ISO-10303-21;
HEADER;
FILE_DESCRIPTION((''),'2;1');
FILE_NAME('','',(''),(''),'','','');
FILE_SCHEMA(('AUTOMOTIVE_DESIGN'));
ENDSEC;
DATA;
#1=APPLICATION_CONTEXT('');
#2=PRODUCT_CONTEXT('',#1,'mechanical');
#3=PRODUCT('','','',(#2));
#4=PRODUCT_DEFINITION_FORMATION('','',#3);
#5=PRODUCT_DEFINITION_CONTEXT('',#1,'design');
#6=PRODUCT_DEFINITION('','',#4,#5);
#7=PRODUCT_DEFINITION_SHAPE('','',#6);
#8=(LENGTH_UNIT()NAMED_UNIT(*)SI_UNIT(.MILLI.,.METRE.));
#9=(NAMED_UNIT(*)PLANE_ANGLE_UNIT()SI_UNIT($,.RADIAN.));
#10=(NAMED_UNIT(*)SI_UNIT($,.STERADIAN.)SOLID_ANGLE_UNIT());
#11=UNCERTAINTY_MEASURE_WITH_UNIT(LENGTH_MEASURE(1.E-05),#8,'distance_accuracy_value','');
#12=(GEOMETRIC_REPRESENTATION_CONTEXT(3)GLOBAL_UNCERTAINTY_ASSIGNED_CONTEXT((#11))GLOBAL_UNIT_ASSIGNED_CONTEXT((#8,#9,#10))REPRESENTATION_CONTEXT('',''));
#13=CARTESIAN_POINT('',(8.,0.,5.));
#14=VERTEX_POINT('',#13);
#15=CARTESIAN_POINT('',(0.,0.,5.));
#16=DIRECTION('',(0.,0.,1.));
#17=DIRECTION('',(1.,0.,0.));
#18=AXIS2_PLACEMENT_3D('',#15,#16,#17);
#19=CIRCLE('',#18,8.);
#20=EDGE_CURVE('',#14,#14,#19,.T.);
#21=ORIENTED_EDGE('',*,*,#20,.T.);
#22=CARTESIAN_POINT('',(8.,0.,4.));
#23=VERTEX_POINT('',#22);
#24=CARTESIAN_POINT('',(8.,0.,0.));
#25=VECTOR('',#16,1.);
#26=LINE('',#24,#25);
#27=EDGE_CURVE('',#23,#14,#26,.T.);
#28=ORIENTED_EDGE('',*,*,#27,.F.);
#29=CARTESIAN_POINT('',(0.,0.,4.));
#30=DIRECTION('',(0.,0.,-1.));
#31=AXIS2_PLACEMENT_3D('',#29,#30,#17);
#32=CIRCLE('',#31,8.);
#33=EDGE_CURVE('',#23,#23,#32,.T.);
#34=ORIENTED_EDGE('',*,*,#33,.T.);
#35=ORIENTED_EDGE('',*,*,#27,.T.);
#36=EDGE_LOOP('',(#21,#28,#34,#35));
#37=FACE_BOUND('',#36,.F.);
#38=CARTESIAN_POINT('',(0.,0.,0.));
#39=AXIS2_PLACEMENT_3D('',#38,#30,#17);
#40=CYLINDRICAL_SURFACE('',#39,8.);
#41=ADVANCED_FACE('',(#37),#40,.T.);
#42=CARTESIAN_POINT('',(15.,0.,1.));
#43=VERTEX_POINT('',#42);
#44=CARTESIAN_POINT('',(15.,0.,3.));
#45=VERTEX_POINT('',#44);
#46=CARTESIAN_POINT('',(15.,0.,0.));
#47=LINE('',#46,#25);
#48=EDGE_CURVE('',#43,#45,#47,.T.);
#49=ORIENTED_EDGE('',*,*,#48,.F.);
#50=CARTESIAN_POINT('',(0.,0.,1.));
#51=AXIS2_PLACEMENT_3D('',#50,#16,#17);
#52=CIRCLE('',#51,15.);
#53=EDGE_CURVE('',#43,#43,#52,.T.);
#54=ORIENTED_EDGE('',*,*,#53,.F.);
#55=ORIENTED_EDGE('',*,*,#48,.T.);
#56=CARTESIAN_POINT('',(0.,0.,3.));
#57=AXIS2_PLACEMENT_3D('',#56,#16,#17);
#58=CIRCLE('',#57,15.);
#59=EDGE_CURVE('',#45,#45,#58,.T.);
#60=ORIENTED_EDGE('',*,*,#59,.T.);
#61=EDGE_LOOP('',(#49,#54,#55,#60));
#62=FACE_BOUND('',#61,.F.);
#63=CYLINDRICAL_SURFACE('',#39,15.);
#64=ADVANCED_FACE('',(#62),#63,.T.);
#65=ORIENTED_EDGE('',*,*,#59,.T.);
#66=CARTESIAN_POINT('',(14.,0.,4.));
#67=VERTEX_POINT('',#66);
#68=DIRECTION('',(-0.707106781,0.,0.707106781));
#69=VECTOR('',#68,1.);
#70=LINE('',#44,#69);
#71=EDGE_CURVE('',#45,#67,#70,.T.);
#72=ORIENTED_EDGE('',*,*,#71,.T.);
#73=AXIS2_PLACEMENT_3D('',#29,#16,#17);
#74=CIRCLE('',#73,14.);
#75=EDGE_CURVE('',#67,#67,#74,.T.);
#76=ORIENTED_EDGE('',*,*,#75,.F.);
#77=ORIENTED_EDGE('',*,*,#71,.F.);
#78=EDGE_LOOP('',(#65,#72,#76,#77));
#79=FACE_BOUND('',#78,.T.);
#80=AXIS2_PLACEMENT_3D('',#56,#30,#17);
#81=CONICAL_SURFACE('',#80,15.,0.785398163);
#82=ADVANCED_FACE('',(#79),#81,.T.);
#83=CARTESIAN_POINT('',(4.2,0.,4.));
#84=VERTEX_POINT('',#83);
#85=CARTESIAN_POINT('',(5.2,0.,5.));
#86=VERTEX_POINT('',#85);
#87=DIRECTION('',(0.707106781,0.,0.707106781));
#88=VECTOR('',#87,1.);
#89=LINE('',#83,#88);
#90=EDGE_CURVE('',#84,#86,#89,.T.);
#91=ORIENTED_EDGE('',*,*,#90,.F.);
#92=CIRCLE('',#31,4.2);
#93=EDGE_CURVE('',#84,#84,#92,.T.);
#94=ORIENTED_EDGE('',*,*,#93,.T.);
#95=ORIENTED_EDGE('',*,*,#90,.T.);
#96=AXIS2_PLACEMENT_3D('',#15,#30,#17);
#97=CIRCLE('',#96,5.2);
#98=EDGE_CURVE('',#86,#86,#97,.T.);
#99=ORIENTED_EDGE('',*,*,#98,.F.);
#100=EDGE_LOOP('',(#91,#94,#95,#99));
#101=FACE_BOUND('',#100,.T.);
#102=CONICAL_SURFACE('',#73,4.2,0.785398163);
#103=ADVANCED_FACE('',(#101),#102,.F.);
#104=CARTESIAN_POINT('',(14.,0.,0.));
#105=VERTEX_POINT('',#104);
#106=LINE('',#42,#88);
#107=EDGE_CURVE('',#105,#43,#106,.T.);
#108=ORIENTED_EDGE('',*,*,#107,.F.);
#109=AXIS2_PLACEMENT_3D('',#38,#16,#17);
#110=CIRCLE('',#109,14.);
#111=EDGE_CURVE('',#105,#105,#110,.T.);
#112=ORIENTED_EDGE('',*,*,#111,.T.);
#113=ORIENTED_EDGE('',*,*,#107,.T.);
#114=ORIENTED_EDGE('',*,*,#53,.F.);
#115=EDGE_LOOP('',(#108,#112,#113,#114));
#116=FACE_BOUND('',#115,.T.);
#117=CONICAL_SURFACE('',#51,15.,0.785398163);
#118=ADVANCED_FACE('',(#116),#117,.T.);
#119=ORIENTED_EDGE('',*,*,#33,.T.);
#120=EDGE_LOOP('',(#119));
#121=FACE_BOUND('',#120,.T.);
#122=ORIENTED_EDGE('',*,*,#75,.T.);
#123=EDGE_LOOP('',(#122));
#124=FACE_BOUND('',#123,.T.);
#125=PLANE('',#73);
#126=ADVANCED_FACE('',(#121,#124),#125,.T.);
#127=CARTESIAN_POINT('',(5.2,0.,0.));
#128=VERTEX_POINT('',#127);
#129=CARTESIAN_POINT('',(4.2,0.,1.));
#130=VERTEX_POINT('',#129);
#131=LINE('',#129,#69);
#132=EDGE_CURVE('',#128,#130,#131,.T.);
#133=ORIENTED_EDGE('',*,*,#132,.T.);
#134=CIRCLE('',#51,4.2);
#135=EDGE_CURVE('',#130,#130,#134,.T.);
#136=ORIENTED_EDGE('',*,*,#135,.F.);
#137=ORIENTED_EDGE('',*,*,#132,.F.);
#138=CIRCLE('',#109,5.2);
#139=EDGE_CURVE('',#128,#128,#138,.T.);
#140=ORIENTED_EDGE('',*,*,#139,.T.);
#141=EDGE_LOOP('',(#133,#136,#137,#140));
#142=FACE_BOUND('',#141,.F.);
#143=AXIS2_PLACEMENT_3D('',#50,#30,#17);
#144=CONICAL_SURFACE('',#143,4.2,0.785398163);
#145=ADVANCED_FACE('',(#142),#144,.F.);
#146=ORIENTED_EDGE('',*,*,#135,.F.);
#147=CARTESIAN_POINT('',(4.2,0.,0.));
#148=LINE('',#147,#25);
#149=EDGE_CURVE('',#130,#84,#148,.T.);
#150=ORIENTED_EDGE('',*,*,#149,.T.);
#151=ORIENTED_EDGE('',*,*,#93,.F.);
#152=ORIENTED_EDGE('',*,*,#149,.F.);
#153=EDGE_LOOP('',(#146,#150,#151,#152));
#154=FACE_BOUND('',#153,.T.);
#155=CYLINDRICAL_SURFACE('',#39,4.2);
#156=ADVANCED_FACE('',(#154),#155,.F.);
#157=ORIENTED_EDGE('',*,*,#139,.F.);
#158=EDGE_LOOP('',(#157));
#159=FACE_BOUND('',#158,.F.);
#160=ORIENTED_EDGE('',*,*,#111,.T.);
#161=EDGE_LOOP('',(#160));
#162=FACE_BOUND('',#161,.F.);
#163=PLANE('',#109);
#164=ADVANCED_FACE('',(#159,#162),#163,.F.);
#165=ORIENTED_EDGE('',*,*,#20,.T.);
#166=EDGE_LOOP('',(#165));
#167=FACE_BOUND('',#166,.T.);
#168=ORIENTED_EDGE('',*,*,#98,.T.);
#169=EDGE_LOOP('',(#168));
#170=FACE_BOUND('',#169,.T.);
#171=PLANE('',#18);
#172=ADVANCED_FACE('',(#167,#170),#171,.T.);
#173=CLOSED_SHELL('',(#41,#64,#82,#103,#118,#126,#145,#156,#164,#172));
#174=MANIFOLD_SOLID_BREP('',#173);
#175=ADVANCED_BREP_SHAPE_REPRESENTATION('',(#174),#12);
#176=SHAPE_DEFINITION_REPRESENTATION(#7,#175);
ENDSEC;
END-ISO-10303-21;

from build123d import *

# Parameters (mm, degrees)
CYLINDER_R        = 15
CYLINDER_DEPTH    = 4
CYLINDER002_R     = 8
CYLINDER002_DEPTH = 5
CYLINDER003_R     = 4.2
CYLINDER003_DEPTH = 10
CHAMFER_SIZE      = 1
CHAMFER001_SIZE   = 1


with BuildPart() as part:
    # Cylinder → Cylinder (join)
    with BuildSketch(Plane.XY):
        Circle(CYLINDER_R)
    extrude(amount=CYLINDER_DEPTH)

    # Cylinder002 → Cylinder002 (join)
    with BuildSketch(Plane.XY):
        Circle(CYLINDER002_R)
    extrude(amount=CYLINDER002_DEPTH)

    # Cylinder003 → Cylinder003 (cut)
    with BuildSketch(Plane.XY):
        Circle(CYLINDER003_R)
    extrude(amount=CYLINDER003_DEPTH, mode=Mode.SUBTRACT)

    # Chamfer
    chamfer_edges = [part.edges().sort_by_distance(p)[0] for p in [
        (-15, 0, 4),
        (15, 0, 2),
        (-15, 0, 0),
    ]]
    chamfer(chamfer_edges, length=CHAMFER_SIZE)

    # Chamfer001
    chamfer001_edges = [part.edges().sort_by_distance(p)[0] for p in [
        (-4.2, 0, 5),
        (4.2, 0, 2.5),
        (-4.2, 0, 0),
    ]]
    chamfer(chamfer001_edges, length=CHAMFER001_SIZE)


solid = part.part
